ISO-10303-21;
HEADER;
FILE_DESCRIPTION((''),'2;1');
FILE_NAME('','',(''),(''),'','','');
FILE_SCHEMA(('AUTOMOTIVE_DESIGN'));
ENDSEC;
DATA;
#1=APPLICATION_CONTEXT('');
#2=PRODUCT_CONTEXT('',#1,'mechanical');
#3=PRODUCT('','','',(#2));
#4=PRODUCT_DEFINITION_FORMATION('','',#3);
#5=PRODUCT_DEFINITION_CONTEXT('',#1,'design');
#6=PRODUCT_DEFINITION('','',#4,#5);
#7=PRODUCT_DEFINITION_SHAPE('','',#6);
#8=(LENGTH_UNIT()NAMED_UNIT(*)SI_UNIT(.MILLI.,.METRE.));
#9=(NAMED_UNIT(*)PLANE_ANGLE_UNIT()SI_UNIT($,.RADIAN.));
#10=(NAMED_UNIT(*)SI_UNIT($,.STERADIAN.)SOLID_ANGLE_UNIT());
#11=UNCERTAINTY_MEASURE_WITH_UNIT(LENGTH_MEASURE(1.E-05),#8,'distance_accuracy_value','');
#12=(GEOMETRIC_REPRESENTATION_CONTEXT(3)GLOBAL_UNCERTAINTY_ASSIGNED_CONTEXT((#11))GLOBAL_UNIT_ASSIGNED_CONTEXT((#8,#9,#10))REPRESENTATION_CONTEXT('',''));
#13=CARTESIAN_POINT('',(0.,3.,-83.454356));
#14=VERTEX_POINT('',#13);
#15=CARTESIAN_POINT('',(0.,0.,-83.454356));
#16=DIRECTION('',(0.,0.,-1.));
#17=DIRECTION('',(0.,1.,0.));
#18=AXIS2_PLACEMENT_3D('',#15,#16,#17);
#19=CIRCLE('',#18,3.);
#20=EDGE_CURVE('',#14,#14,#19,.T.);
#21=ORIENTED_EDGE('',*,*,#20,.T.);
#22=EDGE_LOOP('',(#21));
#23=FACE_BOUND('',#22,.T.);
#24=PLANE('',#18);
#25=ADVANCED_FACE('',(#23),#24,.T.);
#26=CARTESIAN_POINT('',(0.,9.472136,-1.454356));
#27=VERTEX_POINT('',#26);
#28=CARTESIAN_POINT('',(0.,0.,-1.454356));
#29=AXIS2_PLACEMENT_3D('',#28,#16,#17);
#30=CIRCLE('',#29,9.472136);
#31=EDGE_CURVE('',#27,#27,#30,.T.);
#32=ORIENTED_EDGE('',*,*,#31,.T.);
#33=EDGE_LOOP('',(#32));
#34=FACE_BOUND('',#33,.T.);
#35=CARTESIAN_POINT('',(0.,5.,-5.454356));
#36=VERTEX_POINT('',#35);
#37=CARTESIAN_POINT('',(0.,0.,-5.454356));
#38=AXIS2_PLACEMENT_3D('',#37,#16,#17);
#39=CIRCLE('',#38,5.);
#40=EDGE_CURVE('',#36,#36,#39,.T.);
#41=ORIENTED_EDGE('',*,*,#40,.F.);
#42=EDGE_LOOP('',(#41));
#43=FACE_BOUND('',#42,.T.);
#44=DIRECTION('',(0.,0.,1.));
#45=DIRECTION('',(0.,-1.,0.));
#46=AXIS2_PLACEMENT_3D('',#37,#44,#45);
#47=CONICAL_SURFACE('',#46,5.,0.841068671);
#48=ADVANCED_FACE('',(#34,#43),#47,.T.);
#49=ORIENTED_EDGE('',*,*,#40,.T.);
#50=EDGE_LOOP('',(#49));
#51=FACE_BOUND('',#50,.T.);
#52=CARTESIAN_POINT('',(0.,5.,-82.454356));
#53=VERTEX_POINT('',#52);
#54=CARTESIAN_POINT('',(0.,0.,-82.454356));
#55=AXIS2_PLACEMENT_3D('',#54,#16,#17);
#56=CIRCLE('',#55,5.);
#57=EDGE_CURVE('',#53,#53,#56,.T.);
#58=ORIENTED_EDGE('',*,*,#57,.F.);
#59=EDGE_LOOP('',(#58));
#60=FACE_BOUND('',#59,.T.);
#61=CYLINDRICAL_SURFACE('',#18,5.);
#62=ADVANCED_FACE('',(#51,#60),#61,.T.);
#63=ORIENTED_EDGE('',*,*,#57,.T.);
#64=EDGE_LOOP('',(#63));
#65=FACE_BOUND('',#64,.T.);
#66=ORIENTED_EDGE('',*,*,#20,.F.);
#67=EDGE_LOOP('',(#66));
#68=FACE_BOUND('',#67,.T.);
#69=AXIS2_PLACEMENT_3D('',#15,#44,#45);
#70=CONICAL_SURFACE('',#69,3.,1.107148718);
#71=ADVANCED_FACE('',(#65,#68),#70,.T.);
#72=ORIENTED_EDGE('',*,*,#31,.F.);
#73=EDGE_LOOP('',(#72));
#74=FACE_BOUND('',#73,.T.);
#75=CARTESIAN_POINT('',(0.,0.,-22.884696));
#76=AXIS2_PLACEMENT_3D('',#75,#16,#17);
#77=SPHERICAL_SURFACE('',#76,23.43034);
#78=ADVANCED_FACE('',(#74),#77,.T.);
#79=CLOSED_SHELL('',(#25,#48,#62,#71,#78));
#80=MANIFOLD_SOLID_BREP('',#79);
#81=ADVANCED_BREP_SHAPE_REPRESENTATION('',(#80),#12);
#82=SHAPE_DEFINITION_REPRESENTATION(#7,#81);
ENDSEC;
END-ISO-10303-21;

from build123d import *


with BuildPart() as part:
    # Эскиз1 → Повернуть1 (revolve)
    with BuildSketch(Plane(origin=(0, 0, 0), x_dir=(0, 0, -1), z_dir=(1, 0, 0))):
        with BuildLine():
            Line((5.454356057, 5), (82.454356057, 5))
            Line((82.454356057, 5), (83.454356057, 3))
            Line((83.454356057, 3), (83.454356057, 0))
            Line((83.454356057, 0), (-0.545643943, 0))
            ThreePointArc((-0.545643943, 0), (-0.040192002, 4.840489633), (1.454356057, 9.472135955))
            Line((1.454356057, 9.472135955), (5.454356057, 5))
        make_face()
    revolve(axis=Axis((0, 0, -83.454356057), (0, 0, 1)))


solid = part.part
